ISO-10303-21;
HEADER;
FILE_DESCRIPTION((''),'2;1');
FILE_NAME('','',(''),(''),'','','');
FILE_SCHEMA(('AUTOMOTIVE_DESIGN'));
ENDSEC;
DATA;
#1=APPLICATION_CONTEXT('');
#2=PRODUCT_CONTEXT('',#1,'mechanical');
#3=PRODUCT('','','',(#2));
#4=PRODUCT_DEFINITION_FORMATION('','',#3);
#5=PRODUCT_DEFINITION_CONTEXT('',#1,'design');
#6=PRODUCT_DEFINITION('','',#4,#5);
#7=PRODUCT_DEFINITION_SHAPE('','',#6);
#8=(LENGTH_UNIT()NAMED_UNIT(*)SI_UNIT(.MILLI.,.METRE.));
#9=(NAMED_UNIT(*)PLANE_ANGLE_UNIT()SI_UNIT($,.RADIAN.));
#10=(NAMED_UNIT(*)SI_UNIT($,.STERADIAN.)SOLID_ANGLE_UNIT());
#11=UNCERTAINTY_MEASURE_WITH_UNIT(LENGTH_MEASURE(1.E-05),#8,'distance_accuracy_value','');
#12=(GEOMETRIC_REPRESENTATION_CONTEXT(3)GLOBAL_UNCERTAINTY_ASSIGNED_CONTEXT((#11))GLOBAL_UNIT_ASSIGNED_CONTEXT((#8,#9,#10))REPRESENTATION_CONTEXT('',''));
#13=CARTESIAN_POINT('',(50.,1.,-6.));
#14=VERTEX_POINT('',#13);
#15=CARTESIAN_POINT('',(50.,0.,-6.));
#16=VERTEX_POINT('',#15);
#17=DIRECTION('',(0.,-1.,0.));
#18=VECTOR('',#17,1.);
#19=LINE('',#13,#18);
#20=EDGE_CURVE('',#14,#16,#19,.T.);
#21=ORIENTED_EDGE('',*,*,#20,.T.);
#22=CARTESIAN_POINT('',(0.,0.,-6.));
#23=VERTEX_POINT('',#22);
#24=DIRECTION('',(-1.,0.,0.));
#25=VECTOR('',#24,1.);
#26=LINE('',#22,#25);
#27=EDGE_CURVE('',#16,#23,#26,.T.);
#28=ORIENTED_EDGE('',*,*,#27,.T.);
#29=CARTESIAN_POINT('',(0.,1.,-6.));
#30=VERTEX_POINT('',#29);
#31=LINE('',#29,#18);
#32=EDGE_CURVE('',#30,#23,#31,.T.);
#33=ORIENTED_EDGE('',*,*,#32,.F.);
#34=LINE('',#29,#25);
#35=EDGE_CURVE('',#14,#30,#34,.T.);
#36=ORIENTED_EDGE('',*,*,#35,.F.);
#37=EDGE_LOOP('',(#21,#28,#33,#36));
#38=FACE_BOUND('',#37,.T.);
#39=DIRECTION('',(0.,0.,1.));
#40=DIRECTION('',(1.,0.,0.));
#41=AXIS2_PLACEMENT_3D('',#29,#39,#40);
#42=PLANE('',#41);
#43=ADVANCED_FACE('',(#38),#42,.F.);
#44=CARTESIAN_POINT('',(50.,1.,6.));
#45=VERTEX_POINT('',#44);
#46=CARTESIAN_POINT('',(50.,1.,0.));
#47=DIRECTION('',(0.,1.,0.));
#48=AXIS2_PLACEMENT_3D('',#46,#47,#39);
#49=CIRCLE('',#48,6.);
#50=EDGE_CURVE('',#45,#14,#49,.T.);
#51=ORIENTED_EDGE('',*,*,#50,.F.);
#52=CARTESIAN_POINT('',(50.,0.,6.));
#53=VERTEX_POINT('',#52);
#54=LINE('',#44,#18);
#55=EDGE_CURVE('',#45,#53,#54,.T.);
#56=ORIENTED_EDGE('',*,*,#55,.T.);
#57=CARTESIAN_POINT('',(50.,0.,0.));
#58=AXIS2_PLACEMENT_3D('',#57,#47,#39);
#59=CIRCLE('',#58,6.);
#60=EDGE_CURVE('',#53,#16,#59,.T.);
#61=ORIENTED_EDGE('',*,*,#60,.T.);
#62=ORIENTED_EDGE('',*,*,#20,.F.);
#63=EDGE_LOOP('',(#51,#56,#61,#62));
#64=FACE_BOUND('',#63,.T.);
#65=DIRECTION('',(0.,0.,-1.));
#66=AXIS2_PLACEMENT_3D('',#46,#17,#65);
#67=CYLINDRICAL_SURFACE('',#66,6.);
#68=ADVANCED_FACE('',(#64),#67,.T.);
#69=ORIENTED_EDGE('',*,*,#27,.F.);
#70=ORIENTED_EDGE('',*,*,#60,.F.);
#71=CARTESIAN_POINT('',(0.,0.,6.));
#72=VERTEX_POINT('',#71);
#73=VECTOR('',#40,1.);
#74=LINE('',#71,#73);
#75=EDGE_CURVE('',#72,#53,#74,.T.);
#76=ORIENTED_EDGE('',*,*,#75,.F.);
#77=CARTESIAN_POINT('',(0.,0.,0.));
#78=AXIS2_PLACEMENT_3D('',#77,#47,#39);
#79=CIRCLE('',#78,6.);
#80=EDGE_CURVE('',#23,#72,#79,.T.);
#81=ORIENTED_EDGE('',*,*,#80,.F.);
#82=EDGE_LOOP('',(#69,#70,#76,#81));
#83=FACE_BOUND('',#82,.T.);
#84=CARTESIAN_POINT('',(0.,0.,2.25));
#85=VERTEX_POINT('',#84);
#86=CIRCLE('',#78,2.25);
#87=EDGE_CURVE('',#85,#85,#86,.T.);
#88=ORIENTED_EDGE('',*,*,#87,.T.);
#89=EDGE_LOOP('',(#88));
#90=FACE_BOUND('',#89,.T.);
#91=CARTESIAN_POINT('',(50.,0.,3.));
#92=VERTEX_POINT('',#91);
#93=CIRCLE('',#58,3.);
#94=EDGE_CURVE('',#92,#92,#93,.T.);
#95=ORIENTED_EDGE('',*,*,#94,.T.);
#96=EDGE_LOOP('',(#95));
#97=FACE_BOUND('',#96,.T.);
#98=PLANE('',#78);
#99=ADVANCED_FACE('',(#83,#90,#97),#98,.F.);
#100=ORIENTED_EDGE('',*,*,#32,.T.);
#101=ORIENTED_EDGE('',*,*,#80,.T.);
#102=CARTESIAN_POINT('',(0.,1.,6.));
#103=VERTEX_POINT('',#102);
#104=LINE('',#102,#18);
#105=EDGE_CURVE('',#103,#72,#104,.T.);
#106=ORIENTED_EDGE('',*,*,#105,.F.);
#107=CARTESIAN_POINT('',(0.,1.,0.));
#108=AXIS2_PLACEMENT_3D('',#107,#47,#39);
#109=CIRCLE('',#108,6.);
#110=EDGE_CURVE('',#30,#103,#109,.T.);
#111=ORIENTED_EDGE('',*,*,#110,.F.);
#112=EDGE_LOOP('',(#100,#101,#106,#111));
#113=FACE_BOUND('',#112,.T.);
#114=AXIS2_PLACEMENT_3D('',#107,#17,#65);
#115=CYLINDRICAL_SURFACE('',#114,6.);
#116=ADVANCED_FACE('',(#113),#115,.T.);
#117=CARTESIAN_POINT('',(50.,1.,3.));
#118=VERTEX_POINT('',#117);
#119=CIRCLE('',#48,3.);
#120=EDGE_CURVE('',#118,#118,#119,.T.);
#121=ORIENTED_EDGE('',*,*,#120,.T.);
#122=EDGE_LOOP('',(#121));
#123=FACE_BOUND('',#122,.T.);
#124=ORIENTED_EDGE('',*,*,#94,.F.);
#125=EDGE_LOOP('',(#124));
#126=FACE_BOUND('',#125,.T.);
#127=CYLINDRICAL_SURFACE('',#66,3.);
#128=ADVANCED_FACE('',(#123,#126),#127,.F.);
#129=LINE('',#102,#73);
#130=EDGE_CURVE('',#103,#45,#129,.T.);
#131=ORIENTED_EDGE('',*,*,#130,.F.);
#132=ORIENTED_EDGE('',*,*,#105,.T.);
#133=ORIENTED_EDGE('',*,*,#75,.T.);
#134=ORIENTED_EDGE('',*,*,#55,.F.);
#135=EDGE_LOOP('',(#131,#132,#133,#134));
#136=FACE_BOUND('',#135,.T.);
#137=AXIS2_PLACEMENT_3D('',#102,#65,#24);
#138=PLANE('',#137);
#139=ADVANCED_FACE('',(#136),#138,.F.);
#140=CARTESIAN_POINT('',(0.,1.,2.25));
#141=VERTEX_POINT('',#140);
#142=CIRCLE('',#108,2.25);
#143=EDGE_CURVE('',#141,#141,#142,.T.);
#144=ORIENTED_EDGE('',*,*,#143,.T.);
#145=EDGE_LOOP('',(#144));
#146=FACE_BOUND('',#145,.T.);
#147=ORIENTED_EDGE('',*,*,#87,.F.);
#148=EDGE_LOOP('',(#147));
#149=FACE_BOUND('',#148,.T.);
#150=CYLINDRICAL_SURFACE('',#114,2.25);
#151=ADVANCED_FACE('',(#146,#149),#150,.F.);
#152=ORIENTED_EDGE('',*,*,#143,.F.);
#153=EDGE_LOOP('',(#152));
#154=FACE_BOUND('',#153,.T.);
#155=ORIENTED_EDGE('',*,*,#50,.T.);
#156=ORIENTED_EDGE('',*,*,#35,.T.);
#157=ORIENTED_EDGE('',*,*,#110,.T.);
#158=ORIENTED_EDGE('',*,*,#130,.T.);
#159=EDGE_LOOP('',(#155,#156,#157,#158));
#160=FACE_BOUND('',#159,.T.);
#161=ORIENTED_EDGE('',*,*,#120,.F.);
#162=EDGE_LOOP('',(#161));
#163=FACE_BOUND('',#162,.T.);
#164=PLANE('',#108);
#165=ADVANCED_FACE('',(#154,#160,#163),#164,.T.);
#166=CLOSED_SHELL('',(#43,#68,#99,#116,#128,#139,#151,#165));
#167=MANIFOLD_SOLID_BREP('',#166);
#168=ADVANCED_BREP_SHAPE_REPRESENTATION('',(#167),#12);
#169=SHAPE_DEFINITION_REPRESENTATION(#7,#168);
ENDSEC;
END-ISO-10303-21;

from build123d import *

# Parameters (mm, degrees)
SKETCH1_R           = 2.25
SKETCH1_R_2         = 3
BOSS_EXTRUDE1_DEPTH = 1


with BuildPart() as part:
    # Sketch1 → Boss-Extrude1 (new body)
    with BuildSketch(Plane(origin=(0, 0, 0), x_dir=(1, 0, 0), z_dir=(0, 1, 0))):
        with BuildLine():
            Line((0, 6), (50, 6))
            ThreePointArc((50, 6), (56, 0), (50, -6))
            Line((50, -6), (0, -6))
            ThreePointArc((0, -6), (-6, 0), (0, 6))
        make_face()
        with Locations(Location((0, 0, 0), (0, 0, 270))):
            Circle(SKETCH1_R, mode=Mode.SUBTRACT)
        with Locations(Location((50, 0, 0), (0, 0, 270))):
            Circle(SKETCH1_R_2, mode=Mode.SUBTRACT)
    extrude(amount=BOSS_EXTRUDE1_DEPTH)


solid = part.part
